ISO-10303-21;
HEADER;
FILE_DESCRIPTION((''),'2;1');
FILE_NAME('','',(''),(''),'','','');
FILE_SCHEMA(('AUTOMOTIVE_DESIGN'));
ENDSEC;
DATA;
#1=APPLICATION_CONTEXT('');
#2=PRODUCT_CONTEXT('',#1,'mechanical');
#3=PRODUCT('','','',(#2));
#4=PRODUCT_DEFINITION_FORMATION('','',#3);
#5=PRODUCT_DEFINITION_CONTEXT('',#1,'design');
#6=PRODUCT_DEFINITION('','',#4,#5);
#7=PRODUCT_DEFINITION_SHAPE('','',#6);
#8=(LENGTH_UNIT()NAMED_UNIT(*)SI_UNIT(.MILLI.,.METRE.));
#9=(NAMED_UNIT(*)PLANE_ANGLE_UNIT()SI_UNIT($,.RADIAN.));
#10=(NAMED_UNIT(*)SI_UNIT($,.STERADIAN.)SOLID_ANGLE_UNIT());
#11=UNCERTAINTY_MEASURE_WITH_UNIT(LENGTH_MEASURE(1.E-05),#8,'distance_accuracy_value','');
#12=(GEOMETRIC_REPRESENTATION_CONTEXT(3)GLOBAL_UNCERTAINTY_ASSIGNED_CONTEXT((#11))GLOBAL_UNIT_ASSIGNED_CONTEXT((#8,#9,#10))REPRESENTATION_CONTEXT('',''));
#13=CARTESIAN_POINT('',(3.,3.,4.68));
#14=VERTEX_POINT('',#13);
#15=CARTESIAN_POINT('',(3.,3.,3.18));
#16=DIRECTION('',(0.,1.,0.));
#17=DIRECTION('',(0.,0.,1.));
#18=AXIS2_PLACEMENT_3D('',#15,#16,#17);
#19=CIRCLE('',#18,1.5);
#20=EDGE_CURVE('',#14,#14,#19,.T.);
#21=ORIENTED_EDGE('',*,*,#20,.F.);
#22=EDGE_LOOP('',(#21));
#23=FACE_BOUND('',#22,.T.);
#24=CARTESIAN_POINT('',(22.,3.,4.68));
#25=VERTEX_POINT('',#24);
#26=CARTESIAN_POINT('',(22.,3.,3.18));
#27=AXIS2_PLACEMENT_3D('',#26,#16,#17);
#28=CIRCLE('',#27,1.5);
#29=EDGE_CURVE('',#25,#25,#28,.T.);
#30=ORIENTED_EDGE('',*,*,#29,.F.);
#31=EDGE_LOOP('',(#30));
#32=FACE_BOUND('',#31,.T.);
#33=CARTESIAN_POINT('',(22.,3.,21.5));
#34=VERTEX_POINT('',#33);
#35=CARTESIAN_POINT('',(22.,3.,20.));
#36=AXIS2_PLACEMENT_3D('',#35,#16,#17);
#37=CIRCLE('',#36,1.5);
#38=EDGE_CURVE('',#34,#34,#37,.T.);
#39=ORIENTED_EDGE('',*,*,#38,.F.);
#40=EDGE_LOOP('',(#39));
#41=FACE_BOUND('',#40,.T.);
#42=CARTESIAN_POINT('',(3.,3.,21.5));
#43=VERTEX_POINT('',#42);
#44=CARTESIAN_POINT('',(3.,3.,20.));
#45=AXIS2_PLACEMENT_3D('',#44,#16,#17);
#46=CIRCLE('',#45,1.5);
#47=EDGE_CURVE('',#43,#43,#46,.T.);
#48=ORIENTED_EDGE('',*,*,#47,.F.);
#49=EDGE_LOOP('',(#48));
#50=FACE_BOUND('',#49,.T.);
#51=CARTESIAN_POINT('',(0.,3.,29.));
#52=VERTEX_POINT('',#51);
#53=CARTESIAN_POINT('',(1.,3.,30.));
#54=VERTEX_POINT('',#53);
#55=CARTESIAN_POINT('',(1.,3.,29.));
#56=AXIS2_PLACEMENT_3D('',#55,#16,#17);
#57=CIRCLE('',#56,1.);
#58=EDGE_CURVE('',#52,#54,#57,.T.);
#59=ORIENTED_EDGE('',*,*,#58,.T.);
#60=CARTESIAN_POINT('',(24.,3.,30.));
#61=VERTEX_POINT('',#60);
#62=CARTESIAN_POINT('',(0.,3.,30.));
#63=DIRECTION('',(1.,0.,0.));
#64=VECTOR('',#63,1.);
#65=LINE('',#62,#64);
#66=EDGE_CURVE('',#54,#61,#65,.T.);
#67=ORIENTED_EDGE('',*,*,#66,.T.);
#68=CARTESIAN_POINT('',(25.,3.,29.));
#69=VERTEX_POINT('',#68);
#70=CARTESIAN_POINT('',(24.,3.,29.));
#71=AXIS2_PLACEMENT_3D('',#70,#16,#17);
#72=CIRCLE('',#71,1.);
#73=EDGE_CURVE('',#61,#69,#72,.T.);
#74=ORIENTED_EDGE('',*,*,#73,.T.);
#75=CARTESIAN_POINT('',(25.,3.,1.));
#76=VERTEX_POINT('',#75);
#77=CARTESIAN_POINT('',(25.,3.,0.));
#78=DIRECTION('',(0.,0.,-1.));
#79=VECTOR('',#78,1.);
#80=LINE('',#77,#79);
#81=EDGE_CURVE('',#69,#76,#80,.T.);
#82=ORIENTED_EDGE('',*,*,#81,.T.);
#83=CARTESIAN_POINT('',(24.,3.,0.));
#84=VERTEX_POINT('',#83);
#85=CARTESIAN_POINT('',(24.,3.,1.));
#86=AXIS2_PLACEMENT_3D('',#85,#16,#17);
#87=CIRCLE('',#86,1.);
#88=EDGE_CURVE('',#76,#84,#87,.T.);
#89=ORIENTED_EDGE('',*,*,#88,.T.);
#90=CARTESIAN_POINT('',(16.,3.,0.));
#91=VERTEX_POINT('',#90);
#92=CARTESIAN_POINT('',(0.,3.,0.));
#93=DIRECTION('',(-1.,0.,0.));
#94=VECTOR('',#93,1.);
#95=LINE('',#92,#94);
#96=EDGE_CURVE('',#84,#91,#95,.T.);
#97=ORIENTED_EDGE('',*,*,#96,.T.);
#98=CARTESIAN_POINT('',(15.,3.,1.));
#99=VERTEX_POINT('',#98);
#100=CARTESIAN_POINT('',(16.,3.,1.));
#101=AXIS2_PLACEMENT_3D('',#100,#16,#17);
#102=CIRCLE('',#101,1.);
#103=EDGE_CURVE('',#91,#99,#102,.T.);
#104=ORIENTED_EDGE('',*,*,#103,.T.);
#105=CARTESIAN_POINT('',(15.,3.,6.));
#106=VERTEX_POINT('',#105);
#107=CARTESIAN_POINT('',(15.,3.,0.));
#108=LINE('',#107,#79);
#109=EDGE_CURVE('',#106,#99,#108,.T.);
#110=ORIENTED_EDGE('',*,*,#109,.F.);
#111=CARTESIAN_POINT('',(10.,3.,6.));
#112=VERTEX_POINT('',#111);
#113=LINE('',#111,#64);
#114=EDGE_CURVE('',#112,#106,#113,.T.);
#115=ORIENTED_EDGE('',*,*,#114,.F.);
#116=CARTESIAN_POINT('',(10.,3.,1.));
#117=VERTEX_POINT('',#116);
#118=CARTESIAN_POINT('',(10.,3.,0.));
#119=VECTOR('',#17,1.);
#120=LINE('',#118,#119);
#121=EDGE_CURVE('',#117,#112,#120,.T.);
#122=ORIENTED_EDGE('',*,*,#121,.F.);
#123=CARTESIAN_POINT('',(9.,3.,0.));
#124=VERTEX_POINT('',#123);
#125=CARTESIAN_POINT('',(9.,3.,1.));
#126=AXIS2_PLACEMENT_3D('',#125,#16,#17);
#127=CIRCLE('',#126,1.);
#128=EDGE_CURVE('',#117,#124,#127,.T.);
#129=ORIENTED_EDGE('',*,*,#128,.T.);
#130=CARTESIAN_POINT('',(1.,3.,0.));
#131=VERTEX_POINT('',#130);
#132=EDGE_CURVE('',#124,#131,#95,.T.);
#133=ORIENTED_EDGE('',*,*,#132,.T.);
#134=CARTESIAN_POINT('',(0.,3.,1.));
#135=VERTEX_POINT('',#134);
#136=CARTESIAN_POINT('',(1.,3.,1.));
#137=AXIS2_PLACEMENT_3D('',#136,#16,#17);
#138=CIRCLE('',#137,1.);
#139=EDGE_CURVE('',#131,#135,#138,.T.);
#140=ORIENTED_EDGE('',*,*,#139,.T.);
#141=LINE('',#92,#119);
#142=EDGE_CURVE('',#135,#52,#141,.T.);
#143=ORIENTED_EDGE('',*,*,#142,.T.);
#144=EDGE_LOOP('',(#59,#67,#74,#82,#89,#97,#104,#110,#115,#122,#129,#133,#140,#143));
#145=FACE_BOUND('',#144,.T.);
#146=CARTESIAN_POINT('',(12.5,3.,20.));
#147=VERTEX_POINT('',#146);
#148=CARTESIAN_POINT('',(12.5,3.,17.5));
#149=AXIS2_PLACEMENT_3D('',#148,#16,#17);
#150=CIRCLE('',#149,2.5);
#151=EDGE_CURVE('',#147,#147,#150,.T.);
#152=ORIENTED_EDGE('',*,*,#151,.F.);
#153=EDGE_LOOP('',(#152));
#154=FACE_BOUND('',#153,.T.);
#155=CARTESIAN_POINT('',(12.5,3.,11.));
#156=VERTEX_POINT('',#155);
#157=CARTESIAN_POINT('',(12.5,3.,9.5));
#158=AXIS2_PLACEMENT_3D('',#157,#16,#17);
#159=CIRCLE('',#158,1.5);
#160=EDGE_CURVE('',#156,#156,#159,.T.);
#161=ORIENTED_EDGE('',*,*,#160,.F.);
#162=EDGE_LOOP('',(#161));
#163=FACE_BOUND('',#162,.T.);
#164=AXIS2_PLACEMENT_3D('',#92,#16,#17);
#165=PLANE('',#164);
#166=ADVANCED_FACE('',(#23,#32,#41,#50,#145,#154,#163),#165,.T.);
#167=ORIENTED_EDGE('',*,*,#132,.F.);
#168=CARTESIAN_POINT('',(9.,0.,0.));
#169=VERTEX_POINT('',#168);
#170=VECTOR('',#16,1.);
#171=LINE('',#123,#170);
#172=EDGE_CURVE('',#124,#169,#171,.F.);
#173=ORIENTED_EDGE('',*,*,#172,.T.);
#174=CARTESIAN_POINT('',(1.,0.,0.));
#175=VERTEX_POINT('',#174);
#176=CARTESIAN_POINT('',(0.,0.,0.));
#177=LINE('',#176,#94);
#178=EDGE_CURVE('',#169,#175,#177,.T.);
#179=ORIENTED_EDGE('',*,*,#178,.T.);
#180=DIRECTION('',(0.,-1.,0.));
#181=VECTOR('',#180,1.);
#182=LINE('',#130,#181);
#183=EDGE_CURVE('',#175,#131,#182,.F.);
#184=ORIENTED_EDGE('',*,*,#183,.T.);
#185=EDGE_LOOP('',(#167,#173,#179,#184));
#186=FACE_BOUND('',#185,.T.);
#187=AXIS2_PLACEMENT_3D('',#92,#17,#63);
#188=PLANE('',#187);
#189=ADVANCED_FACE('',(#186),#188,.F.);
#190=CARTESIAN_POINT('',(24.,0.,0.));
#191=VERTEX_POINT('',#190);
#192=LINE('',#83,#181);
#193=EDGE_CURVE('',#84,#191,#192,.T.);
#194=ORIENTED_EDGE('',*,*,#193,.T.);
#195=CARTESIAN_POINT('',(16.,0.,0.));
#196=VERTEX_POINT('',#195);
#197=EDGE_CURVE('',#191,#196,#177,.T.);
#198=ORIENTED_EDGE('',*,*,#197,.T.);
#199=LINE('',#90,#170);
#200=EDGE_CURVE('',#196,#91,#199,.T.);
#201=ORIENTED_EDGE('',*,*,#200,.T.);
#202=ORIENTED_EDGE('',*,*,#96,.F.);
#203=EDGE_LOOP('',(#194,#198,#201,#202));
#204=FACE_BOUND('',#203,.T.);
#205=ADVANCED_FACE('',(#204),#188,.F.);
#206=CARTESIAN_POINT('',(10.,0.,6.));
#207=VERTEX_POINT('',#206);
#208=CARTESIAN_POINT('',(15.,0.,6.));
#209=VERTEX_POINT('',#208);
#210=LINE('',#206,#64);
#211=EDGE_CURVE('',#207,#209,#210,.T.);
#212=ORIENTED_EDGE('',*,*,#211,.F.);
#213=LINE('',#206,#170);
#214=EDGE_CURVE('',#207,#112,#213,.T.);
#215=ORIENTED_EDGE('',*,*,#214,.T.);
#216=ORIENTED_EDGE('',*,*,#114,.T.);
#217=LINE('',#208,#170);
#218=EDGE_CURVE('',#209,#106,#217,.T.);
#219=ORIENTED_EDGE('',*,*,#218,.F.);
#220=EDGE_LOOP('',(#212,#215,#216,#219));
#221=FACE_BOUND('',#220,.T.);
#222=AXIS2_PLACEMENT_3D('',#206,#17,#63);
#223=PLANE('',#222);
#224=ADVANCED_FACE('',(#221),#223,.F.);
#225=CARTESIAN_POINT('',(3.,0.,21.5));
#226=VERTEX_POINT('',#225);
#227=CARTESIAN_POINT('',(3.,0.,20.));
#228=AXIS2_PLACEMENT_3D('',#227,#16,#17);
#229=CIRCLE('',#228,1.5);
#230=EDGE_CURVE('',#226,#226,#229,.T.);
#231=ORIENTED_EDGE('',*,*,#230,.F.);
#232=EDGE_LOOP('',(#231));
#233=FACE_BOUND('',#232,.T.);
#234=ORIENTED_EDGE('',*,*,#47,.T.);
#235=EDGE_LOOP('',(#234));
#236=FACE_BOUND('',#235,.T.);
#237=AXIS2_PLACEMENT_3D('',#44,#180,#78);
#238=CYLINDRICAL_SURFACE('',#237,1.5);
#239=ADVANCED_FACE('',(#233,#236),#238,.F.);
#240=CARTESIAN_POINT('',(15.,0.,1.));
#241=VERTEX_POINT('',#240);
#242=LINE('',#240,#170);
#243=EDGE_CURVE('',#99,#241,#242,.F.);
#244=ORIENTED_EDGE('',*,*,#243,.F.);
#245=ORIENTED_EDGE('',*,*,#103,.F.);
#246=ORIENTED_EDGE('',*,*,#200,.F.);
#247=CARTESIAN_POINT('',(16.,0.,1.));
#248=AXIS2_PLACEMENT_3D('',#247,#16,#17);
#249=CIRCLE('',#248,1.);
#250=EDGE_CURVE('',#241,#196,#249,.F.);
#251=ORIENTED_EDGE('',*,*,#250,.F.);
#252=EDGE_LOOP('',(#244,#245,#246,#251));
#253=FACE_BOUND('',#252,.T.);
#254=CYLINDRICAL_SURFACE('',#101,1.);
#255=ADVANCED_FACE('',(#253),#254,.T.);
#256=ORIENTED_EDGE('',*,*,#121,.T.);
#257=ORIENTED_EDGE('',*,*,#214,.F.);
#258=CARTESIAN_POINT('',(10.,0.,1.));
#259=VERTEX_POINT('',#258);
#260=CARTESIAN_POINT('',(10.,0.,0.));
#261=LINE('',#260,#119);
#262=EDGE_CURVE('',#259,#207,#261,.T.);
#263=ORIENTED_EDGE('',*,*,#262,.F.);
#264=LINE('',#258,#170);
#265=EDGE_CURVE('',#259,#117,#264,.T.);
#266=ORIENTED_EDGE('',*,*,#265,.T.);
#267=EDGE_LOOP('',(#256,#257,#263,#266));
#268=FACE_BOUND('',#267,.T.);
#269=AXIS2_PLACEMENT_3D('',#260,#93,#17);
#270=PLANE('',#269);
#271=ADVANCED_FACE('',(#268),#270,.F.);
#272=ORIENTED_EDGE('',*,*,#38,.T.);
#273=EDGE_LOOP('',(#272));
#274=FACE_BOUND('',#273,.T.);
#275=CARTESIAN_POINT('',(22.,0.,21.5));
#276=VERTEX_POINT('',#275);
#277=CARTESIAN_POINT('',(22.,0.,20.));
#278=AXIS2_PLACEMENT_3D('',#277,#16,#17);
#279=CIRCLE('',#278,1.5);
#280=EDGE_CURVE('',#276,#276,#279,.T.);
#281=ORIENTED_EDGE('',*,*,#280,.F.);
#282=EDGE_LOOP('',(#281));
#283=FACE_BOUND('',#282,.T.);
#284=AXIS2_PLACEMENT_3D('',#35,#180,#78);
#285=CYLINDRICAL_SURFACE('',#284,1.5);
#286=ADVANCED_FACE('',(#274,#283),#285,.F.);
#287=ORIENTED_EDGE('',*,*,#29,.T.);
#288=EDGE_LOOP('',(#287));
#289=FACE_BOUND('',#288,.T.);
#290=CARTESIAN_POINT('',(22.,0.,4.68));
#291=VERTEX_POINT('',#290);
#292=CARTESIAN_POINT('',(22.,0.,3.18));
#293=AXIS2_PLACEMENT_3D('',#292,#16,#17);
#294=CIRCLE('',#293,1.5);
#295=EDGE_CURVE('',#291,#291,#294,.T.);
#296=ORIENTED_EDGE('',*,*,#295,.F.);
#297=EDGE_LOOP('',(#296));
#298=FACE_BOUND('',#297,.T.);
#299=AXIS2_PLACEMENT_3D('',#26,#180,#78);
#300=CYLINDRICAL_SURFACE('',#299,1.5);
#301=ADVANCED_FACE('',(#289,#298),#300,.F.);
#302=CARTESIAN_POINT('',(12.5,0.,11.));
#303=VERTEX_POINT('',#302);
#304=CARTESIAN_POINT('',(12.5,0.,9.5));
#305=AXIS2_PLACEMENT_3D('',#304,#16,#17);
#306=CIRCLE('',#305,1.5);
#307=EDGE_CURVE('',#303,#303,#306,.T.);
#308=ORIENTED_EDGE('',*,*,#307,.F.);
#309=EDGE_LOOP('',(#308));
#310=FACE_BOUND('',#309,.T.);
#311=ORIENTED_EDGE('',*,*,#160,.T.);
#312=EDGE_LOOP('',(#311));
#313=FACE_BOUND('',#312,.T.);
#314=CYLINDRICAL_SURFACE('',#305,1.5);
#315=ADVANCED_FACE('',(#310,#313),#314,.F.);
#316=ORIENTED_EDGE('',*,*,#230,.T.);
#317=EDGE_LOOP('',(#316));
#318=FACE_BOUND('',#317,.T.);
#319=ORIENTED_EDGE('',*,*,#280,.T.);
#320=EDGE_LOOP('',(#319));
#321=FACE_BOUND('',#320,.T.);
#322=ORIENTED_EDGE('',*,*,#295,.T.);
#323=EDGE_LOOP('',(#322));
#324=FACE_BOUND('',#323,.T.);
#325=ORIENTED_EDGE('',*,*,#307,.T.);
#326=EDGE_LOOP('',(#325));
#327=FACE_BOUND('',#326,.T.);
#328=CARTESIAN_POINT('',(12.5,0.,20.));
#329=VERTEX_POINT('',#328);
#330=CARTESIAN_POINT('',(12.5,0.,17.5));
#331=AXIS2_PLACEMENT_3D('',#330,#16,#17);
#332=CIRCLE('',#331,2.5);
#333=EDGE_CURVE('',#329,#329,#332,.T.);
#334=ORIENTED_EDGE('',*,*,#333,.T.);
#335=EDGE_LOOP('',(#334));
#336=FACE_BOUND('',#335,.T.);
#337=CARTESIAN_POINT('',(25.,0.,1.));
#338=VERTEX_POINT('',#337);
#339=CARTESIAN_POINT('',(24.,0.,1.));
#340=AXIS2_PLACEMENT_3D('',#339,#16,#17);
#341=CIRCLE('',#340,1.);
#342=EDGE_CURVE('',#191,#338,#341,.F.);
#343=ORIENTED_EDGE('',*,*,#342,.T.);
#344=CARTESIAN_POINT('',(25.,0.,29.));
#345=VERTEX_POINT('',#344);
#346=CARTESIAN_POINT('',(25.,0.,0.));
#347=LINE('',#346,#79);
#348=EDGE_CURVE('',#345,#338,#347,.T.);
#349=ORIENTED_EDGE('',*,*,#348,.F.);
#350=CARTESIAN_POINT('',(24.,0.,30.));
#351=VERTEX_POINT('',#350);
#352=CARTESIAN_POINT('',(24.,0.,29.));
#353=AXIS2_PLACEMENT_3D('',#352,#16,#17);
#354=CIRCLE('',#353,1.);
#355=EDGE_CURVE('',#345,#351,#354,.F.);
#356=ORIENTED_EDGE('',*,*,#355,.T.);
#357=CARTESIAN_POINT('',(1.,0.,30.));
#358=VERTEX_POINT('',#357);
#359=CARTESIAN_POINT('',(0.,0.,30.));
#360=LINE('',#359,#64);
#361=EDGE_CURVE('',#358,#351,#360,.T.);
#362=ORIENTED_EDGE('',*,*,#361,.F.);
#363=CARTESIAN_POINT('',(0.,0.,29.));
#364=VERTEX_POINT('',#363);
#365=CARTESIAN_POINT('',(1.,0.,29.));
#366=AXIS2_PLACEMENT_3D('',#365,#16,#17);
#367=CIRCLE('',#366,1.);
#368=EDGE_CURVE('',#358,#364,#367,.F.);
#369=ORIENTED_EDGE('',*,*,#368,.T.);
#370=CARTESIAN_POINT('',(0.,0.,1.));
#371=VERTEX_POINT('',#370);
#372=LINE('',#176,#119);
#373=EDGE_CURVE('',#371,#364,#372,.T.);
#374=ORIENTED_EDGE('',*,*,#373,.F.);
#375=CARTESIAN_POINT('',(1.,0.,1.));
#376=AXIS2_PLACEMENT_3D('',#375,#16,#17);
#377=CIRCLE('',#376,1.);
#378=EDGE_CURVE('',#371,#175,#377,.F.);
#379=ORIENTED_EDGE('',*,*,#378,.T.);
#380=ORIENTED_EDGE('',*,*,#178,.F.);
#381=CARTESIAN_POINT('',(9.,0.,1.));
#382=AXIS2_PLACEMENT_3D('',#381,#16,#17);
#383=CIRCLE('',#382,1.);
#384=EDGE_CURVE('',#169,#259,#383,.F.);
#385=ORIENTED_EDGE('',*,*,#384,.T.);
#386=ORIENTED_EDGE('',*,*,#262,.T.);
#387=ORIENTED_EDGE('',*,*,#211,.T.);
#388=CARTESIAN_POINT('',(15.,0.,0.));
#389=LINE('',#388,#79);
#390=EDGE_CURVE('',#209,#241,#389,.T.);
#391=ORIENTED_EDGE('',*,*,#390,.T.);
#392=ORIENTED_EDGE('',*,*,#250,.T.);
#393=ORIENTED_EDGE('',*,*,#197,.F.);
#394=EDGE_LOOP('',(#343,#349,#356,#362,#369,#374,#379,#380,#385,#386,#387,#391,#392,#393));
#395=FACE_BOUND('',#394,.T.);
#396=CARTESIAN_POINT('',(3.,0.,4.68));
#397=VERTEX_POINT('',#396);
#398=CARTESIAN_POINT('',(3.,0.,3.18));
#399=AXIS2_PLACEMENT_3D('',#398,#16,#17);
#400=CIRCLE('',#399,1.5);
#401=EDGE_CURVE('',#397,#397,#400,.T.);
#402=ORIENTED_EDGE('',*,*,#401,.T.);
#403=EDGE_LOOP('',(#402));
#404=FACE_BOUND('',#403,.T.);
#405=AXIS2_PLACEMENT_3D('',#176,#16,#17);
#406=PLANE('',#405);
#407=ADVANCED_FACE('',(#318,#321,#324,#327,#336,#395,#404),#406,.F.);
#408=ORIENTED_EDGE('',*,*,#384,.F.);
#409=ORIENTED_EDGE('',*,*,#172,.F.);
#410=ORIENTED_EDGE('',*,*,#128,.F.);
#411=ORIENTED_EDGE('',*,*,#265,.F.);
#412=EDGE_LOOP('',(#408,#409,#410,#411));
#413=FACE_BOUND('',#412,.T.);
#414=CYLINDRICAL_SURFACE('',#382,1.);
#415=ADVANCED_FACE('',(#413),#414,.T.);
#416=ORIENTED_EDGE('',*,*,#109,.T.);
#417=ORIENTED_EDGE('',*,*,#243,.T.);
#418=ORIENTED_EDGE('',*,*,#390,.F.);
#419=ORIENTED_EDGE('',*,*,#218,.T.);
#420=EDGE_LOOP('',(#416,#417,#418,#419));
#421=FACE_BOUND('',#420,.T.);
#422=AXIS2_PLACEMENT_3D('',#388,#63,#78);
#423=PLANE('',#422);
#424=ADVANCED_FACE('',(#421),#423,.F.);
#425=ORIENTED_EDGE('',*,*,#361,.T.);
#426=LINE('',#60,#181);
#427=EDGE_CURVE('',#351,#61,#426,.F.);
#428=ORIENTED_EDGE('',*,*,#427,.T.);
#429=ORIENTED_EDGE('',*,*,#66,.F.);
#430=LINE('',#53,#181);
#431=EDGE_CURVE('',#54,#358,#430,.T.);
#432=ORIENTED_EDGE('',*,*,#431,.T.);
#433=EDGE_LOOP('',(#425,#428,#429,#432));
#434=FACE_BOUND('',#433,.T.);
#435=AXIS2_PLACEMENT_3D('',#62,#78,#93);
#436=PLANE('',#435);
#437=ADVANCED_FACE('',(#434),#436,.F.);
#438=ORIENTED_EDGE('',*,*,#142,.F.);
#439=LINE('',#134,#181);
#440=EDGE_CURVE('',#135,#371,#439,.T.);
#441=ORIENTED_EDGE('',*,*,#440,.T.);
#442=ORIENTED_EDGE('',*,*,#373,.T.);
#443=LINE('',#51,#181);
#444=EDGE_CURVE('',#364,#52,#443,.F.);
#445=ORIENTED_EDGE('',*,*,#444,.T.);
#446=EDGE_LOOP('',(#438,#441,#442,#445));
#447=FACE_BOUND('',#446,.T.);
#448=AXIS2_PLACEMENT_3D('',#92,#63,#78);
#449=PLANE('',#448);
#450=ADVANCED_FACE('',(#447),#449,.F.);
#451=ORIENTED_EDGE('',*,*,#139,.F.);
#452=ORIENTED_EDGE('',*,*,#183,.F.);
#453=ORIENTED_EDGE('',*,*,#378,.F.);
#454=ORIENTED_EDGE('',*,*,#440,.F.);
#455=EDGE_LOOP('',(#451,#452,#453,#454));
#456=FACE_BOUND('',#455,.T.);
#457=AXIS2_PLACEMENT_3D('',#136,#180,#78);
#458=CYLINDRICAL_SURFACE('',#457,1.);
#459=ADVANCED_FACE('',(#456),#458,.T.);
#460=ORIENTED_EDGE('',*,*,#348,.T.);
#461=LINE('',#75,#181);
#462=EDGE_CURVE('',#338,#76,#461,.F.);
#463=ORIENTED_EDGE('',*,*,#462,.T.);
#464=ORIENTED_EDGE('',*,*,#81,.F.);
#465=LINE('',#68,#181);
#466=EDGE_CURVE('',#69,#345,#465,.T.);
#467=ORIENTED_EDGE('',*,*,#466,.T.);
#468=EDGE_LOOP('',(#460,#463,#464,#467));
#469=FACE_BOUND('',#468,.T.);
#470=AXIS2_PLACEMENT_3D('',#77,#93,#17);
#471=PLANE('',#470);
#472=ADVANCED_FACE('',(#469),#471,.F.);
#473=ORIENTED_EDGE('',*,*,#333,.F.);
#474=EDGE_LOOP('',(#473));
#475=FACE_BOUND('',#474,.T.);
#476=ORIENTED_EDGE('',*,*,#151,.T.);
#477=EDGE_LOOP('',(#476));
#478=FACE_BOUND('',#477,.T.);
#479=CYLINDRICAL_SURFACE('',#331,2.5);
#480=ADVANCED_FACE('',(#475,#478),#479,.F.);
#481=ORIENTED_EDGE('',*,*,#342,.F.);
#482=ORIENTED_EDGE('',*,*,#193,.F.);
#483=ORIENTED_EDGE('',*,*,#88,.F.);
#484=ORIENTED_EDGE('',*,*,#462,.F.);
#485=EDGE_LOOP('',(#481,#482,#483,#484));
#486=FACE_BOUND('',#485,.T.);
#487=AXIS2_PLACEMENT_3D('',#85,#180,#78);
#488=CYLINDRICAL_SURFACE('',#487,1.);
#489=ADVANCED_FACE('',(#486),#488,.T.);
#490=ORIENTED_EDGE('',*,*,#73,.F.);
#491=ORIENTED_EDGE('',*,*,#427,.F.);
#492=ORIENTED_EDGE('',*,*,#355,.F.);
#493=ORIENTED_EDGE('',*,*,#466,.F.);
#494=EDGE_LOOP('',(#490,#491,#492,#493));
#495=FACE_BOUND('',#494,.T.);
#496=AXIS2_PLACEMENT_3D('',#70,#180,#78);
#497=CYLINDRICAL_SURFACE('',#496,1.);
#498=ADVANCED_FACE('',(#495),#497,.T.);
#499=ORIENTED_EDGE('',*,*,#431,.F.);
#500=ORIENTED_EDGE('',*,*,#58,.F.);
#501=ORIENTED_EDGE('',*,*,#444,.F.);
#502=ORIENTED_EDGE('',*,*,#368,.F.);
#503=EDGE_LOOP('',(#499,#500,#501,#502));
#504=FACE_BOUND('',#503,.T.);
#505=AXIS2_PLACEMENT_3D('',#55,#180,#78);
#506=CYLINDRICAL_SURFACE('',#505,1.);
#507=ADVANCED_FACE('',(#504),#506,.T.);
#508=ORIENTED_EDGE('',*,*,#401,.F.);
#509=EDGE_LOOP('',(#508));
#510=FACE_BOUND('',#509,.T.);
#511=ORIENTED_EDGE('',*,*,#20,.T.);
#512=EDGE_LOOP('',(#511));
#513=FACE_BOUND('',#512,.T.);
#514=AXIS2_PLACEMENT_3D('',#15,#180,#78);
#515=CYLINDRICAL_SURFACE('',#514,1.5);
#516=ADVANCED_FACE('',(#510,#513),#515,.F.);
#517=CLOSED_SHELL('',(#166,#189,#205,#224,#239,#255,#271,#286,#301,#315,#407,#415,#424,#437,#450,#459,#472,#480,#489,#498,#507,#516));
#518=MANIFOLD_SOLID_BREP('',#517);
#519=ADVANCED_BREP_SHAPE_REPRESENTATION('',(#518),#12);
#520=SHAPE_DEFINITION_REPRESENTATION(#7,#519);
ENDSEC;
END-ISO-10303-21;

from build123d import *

# Parameters (mm, degrees)
SKETCH1_W           = 25
SKETCH1_H           = 30
SKETCH1_R           = 1.5
BOSS_EXTRUDE1_DEPTH = 3
SKETCH2_R           = 1.5
SKETCH2_R_2         = 2.5
SKETCH2_W           = 5
SKETCH2_H           = 6
CUT_EXTRUDE1_DEPTH  = 40.166312055
FILLET2_R           = 1


with BuildPart() as part:
    # Sketch1 → Boss-Extrude1 (new body)
    with BuildSketch(Plane(origin=(0, 0, 0), x_dir=(1, 0, 0), z_dir=(0, 1, 0))):
        with Locations((12.5, -15)):
            Rectangle(SKETCH1_W, SKETCH1_H)
        with Locations(Location((3, -20, 0), (0, 0, 270))):
            Circle(SKETCH1_R, mode=Mode.SUBTRACT)
        with Locations(Location((22, -20, 0), (0, 0, 270))):
            Circle(SKETCH1_R, mode=Mode.SUBTRACT)
        with Locations(Location((22, -3.18, 0), (0, 0, 270))):
            Circle(SKETCH1_R, mode=Mode.SUBTRACT)
        with Locations(Location((3, -3.18, 0), (0, 0, 270))):
            Circle(SKETCH1_R, mode=Mode.SUBTRACT)
    extrude(amount=BOSS_EXTRUDE1_DEPTH)

    # Sketch2 → Cut-Extrude1 (cut, through all)
    with BuildSketch(Plane(origin=(0, 3, 0), x_dir=(1, 0, 0), z_dir=(0, 1, 0))):
        with Locations(Location((12.5, -9.5, 0), (0, 0, 270))):
            Circle(SKETCH2_R)
        with Locations(Location((12.5, -17.5, 0), (0, 0, 270))):
            Circle(SKETCH2_R_2)
        with Locations((12.5, -3)):
            Rectangle(SKETCH2_W, SKETCH2_H)
    extrude(amount=-CUT_EXTRUDE1_DEPTH, mode=Mode.SUBTRACT)

    # Fillet2
    fillet2_edges = [part.edges().sort_by_distance(p)[0] for p in [
        (10, 1.5, 0),
        (15, 1.5, 0),
        (0, 1.5, 0),
        (25, 1.5, 0),
        (25, 1.5, 30),
        (0, 1.5, 30),
    ]]
    fillet(fillet2_edges, radius=FILLET2_R)


solid = part.part
